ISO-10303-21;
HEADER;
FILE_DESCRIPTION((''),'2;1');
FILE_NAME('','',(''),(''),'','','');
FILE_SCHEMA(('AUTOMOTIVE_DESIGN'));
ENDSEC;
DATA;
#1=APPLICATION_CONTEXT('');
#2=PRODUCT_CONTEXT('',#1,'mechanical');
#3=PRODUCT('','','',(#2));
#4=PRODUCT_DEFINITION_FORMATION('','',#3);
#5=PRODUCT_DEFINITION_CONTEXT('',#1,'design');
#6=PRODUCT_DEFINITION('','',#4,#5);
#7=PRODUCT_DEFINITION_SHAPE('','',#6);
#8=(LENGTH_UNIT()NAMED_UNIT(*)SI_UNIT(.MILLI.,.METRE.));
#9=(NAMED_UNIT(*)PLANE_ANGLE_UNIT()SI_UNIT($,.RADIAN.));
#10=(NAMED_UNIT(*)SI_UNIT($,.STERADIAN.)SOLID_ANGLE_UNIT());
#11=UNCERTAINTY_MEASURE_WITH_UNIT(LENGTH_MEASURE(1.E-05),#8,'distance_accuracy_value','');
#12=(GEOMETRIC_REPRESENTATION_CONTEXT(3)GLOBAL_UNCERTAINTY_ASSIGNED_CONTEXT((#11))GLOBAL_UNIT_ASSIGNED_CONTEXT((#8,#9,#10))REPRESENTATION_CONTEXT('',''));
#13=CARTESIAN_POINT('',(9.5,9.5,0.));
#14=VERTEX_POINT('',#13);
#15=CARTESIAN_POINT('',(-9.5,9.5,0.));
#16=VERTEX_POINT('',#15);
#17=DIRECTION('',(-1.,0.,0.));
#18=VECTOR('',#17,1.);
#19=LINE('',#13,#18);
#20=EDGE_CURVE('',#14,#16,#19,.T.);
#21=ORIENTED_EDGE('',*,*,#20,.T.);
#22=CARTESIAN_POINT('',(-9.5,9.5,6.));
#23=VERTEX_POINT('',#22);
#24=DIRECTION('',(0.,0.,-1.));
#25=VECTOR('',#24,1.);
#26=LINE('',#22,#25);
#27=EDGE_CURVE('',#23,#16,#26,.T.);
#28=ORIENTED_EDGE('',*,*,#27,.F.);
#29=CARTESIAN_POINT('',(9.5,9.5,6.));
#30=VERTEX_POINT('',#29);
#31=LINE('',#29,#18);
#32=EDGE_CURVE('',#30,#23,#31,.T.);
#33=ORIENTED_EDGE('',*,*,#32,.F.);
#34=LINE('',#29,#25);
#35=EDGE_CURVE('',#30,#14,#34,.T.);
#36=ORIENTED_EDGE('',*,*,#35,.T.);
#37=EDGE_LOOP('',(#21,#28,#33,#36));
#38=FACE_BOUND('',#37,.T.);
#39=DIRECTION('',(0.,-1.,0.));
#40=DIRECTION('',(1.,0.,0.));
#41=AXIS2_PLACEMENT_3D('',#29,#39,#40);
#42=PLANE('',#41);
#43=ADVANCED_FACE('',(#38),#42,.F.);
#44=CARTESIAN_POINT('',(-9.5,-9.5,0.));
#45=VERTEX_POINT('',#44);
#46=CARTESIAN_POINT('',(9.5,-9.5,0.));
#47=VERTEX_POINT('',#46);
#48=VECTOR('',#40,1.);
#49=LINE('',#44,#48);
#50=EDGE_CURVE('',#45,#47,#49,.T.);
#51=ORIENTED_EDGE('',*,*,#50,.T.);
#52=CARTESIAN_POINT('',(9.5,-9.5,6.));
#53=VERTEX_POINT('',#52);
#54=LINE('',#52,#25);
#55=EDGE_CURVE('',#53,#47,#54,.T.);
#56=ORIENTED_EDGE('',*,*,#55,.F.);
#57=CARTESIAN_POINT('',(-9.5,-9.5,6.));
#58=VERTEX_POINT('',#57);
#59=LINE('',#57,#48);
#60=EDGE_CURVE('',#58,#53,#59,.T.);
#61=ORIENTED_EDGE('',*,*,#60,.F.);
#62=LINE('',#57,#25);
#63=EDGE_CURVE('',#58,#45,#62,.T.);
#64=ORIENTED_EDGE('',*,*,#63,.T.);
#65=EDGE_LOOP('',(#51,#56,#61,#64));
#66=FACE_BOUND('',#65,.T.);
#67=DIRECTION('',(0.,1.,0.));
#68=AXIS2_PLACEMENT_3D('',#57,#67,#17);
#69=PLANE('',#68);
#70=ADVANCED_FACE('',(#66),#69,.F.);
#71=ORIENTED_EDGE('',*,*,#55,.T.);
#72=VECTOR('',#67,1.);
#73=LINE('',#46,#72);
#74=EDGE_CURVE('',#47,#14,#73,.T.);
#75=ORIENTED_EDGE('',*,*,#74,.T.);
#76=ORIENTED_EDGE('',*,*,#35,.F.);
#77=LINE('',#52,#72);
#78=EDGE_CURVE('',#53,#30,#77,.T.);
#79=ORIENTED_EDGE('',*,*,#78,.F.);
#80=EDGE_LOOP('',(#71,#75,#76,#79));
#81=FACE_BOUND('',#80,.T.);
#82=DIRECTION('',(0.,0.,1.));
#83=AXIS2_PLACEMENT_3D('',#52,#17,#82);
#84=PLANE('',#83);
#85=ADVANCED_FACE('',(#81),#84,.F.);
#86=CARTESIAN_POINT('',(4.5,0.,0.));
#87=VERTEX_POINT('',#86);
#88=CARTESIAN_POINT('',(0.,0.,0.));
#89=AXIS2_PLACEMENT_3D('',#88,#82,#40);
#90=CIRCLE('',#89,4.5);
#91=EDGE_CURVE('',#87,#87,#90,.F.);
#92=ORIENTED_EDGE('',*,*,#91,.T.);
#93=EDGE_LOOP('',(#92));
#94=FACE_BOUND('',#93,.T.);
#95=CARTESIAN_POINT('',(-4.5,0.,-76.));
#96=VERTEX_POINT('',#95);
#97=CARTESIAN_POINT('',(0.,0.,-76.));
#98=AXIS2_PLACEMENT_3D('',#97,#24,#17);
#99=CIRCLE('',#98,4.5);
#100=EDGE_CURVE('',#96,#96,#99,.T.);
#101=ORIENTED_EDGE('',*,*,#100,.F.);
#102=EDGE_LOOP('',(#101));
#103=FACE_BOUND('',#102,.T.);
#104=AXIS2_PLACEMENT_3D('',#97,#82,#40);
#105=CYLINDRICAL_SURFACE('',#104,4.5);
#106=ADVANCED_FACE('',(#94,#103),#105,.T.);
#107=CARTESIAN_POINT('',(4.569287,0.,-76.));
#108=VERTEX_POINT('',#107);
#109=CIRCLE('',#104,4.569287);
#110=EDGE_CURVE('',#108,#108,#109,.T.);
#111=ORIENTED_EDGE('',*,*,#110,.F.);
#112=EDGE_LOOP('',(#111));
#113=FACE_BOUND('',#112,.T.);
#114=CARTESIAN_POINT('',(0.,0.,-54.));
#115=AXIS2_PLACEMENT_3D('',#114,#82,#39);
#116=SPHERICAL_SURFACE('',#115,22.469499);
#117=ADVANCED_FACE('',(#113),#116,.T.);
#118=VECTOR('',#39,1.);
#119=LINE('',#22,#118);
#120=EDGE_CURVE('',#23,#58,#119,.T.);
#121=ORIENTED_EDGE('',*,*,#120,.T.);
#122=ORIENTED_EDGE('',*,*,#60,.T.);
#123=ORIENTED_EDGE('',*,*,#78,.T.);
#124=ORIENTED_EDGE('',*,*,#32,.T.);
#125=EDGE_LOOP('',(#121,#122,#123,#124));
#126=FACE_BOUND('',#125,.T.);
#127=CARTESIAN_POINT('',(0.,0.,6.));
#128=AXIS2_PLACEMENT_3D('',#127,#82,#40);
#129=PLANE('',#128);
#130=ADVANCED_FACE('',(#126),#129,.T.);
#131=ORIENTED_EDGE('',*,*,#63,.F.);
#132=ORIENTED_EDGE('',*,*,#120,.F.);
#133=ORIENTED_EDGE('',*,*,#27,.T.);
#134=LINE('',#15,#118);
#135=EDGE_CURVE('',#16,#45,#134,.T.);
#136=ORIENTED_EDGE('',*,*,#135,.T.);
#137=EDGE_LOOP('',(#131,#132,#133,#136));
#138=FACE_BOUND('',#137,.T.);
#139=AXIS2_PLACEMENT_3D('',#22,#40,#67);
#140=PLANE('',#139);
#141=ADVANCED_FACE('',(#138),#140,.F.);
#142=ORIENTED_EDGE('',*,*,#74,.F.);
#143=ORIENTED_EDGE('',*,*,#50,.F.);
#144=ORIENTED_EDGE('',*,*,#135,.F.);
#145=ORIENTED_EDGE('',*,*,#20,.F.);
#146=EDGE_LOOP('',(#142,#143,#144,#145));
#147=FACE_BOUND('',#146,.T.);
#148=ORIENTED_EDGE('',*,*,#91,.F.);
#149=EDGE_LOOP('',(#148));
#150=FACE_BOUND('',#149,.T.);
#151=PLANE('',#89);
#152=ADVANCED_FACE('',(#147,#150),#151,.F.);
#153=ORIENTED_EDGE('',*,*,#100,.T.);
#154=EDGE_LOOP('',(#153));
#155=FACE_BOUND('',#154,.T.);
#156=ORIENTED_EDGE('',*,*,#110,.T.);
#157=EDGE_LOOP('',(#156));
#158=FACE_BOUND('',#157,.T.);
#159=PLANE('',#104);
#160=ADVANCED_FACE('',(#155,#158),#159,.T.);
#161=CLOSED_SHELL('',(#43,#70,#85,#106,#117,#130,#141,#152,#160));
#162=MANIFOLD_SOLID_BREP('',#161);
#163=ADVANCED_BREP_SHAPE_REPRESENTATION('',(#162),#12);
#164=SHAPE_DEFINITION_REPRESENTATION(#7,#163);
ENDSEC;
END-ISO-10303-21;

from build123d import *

# Parameters (mm, degrees)
SKETCH2_W           = 19
SKETCH2_H           = 19
BOSS_EXTRUDE1_DEPTH = 6
SKETCH4_R           = 4.5
BOSS_EXTRUDE2_DEPTH = 76


with BuildPart() as part:
    # Sketch2 → Boss-Extrude1 (new body)
    with BuildSketch(Plane.XY):
        Rectangle(SKETCH2_W, SKETCH2_H)
    extrude(amount=BOSS_EXTRUDE1_DEPTH)

    # Sketch4 → Boss-Extrude2 (add)
    with BuildSketch(Plane(origin=(0, 0, 0), x_dir=(-1, 0, 0), z_dir=(0, 0, -1))):
        with Locations(Location((0, 0, 0), (0, 0, 180))):  # turned: the seam where the file's is
            Circle(SKETCH4_R)
    extrude(amount=BOSS_EXTRUDE2_DEPTH)

    # Sketch6 → Revolve2 (revolve)
    with BuildSketch(Plane(origin=(0, 0, 0), x_dir=(0, 0, -1), z_dir=(1, 0, 0)), mode=Mode.PRIVATE) as revolve2_sk:
        with BuildLine():
            Line((76, 0), (76, -4.56928672))
            ThreePointArc((76, -4.56928672), (76.351816001, -2.296672068), (76.469498907, 0))
            Line((76.469498907, 0), (76, 0))
        make_face()
    revolve(revolve2_sk.sketch.rotate(Axis((0, 0, -76), (0, 0, -1)), 270), axis=Axis((0, 0, -76), (0, 0, -1)))  # turned: the seam where the file's is


solid = part.part
